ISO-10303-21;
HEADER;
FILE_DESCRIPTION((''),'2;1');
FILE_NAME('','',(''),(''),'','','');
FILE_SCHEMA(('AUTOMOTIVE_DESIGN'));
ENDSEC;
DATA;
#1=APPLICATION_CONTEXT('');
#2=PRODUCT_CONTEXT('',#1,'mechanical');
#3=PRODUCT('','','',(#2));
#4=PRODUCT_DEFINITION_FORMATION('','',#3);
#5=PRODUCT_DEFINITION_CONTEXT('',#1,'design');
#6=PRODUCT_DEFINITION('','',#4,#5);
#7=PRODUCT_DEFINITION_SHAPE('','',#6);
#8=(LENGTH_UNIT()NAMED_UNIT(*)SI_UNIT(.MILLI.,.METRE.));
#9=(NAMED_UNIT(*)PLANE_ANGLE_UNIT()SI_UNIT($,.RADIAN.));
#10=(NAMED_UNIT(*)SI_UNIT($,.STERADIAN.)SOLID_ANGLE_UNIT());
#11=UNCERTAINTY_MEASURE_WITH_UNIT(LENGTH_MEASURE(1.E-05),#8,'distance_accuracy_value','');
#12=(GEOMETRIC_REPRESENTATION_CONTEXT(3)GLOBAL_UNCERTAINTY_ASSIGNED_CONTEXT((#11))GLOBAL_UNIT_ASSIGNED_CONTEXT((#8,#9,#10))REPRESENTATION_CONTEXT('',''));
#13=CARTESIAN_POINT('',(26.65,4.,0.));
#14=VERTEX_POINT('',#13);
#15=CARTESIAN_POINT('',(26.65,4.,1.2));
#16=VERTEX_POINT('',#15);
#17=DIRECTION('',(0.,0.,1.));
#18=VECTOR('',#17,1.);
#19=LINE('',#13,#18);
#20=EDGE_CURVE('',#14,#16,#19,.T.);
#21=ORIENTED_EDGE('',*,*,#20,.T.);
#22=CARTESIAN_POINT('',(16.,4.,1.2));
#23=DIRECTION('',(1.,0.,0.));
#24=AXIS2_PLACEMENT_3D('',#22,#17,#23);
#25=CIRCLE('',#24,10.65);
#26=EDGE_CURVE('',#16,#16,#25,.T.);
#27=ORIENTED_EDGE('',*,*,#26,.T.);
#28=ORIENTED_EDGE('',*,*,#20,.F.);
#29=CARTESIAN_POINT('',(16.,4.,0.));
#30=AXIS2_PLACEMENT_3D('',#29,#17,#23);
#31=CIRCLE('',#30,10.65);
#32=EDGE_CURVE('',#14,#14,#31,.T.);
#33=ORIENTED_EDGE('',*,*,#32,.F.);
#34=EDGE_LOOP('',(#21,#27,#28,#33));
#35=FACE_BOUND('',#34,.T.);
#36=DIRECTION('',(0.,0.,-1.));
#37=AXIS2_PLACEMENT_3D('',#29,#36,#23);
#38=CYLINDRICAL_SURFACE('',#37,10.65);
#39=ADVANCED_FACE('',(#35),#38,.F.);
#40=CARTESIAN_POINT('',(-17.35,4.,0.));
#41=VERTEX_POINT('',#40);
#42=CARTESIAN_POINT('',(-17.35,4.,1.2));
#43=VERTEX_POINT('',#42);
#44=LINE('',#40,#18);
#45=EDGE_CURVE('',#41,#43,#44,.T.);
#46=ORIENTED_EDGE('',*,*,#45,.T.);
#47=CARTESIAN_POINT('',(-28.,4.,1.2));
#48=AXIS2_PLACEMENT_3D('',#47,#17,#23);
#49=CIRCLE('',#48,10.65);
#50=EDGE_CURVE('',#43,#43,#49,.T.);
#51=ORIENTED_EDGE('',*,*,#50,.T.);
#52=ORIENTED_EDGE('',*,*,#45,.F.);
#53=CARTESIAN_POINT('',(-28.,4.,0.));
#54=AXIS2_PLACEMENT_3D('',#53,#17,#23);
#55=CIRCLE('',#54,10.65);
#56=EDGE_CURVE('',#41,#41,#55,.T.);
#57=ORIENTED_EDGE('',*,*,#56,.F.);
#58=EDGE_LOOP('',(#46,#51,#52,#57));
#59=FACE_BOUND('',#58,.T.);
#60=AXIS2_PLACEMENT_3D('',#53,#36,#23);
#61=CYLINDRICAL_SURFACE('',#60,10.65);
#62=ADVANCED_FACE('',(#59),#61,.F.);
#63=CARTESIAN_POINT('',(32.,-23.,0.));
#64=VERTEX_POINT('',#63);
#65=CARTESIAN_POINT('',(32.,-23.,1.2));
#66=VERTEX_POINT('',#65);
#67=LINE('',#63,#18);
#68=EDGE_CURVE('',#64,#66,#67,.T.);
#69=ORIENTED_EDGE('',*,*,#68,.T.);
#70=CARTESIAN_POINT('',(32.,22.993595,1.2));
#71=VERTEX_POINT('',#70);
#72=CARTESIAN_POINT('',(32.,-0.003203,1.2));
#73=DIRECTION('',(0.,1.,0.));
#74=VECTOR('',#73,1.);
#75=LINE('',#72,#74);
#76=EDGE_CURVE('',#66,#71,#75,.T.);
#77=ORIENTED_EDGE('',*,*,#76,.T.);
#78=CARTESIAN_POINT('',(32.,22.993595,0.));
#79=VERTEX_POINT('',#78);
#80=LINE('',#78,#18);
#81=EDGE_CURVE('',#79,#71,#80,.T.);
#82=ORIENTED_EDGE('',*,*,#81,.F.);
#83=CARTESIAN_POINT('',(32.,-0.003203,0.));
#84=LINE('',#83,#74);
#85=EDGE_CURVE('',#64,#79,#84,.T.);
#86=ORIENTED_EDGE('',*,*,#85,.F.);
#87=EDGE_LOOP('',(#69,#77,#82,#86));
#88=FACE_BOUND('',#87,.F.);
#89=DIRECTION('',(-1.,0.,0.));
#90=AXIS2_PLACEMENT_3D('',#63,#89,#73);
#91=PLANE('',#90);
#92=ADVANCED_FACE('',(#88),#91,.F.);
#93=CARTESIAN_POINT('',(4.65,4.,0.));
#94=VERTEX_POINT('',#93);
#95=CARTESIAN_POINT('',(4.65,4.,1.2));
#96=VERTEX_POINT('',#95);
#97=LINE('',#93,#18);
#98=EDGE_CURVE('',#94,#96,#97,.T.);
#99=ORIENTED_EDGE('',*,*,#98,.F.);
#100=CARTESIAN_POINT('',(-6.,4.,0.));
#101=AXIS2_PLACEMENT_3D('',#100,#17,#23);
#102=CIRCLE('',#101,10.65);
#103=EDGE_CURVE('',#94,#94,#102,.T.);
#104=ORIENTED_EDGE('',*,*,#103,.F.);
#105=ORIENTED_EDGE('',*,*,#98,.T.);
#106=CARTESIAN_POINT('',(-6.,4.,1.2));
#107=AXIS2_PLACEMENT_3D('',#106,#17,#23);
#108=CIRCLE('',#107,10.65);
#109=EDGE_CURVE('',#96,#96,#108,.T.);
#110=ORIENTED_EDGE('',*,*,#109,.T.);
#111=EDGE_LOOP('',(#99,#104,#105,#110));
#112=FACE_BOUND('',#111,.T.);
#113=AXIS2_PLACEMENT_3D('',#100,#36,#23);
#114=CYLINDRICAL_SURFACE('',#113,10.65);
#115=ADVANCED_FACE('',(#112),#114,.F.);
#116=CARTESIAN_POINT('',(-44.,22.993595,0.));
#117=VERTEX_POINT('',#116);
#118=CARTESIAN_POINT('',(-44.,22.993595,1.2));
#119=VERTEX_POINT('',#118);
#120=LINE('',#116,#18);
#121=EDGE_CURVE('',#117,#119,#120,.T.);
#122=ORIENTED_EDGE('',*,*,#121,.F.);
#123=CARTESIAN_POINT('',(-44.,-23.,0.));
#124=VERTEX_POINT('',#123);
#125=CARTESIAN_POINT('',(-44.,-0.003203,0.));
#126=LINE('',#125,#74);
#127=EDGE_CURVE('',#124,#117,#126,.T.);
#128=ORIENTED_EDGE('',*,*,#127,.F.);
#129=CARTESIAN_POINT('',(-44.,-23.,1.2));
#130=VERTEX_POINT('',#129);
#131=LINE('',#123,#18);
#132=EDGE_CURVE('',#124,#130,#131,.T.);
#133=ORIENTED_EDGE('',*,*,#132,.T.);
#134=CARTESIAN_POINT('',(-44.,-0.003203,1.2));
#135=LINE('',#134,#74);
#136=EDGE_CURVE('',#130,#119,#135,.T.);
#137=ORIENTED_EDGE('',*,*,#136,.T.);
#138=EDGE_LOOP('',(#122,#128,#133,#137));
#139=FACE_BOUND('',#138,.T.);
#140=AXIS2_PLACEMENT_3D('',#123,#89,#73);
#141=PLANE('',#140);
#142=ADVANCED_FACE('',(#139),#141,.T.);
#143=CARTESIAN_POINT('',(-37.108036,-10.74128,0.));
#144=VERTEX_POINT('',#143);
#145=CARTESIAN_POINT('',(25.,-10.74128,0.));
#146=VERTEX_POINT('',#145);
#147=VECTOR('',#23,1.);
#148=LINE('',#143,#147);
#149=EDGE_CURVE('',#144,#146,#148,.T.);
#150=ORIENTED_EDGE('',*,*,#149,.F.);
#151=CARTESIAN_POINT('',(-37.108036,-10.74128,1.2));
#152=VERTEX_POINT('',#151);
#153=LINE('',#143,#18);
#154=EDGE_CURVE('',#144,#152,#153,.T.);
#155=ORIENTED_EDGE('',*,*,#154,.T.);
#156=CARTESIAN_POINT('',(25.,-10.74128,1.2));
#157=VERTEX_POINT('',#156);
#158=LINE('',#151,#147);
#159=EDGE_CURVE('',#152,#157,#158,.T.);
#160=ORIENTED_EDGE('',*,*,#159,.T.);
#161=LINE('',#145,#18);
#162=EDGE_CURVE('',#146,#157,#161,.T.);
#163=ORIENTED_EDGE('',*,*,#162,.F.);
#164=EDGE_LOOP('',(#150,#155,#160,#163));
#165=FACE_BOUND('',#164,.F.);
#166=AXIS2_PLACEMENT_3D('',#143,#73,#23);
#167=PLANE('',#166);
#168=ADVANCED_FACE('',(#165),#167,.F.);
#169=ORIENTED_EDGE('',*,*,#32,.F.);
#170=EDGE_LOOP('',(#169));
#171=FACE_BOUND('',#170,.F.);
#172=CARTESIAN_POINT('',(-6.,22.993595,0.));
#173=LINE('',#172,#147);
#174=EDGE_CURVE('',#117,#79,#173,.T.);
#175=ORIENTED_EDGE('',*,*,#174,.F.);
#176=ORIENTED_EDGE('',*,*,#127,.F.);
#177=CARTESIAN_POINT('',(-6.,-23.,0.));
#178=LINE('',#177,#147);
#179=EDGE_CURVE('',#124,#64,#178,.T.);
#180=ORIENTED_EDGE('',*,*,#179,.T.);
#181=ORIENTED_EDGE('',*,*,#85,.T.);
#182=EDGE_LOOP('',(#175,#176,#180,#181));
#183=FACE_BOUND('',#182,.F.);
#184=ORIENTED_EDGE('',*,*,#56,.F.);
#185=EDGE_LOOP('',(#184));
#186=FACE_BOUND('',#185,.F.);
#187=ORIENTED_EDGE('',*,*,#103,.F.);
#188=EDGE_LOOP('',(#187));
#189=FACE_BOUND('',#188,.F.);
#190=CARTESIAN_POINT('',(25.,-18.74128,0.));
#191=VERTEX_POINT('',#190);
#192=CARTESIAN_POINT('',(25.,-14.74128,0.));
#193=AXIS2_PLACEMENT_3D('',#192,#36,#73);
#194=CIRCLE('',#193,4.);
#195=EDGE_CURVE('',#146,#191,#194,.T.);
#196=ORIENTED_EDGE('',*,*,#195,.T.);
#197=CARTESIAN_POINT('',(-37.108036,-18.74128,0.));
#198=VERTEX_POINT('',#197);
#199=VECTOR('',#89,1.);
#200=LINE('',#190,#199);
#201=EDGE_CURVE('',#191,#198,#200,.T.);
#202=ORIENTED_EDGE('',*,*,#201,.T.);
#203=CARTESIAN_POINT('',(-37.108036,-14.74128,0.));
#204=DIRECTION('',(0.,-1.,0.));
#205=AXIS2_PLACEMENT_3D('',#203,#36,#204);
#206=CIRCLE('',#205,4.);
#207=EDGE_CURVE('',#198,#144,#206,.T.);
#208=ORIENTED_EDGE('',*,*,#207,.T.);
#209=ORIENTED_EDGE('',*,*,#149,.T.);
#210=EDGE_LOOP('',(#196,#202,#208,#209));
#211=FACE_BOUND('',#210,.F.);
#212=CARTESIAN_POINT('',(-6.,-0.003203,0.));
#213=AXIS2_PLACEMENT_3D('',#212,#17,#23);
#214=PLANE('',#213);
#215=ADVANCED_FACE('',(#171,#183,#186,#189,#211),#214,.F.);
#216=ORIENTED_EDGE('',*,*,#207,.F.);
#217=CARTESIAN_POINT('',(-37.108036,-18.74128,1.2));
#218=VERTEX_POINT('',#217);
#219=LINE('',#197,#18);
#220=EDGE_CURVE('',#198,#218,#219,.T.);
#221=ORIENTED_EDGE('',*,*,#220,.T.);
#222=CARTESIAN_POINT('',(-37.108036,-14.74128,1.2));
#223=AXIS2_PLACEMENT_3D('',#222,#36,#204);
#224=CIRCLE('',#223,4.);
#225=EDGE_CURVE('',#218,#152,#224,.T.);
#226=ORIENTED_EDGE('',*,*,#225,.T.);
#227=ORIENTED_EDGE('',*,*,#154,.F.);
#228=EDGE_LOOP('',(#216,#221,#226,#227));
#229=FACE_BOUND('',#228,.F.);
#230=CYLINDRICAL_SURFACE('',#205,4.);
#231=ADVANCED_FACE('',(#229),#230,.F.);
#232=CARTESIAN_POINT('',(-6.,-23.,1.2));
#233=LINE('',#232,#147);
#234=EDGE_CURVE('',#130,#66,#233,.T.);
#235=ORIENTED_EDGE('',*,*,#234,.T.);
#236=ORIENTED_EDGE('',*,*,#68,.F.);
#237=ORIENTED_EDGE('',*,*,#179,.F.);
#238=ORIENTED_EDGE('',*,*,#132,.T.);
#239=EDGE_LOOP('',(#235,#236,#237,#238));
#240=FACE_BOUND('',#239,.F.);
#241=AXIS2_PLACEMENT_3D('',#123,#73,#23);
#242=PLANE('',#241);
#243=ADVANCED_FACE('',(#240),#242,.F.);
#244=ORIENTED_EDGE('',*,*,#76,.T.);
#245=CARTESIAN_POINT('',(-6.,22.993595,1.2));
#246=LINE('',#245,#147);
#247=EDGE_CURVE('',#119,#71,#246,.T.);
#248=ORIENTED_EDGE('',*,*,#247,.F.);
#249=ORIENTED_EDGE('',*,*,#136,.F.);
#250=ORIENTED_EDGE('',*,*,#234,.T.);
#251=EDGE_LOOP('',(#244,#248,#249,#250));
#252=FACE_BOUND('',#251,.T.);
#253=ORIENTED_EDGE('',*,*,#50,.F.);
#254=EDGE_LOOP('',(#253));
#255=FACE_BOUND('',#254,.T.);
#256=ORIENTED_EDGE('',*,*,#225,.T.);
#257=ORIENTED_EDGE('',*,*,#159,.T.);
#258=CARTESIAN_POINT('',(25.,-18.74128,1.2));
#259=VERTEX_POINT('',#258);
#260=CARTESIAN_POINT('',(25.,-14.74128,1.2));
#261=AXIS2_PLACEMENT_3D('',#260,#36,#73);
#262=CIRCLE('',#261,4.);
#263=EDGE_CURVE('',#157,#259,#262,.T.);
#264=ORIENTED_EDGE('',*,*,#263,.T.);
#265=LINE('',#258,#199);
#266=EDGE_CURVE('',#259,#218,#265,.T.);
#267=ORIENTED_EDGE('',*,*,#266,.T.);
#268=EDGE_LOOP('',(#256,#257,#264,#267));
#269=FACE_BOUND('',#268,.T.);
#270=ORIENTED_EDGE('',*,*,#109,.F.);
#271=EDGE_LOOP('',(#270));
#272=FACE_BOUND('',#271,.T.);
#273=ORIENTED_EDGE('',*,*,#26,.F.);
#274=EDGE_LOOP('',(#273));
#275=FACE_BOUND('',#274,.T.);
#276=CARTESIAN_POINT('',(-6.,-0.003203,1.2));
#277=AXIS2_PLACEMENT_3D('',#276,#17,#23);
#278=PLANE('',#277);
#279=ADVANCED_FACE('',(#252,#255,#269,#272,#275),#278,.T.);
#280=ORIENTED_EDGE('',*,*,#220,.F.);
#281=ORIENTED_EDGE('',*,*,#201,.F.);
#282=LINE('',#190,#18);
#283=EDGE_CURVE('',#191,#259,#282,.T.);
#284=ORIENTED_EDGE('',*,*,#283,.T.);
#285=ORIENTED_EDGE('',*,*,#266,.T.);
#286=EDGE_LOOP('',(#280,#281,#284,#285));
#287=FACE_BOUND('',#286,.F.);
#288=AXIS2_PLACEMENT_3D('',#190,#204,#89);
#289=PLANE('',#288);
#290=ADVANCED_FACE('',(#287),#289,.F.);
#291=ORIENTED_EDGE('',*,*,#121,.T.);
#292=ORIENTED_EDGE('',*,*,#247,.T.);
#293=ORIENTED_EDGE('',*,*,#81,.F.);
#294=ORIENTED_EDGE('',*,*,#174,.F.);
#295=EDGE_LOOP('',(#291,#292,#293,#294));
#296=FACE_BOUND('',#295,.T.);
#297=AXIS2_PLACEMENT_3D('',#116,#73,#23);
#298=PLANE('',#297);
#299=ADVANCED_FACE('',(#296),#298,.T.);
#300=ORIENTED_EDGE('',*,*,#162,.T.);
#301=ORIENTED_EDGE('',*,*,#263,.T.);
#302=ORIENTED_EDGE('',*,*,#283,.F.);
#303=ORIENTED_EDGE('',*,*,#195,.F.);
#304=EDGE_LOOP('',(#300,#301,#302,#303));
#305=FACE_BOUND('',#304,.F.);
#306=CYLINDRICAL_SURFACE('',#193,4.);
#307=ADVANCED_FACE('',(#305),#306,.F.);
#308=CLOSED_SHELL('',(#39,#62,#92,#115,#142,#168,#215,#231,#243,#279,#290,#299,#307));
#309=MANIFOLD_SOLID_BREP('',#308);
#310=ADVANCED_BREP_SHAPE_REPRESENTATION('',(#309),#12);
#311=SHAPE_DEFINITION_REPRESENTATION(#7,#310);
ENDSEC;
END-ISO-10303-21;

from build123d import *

# Parameters (mm, degrees)
F0_W     = 76
F0_H     = 45.993595
F0_R     = 10.65
F1_DEPTH = 1.2


with BuildPart() as f1:
    # F0 (on Top) → F1 (new body)
    with BuildSketch(Plane.XY):
        with Locations((-6, -0.003203)):
            Rectangle(F0_W, F0_H)
        with BuildLine():
            ThreePointArc((25, -10.74128), (29, -14.74128), (25, -18.74128))
            Line((25, -18.74128), (-37.108036, -18.74128))
            ThreePointArc((-37.108036, -18.74128), (-41.108036, -14.74128), (-37.108036, -10.74128))
            Line((-37.108036, -10.74128), (25, -10.74128))
        make_face(mode=Mode.SUBTRACT)
        with Locations((-28, 4)):
            Circle(F0_R, mode=Mode.SUBTRACT)
        with Locations((-6, 4)):
            Circle(F0_R, mode=Mode.SUBTRACT)
        with Locations((16, 4)):
            Circle(F0_R, mode=Mode.SUBTRACT)
    extrude(amount=F1_DEPTH)


solid = f1.part
